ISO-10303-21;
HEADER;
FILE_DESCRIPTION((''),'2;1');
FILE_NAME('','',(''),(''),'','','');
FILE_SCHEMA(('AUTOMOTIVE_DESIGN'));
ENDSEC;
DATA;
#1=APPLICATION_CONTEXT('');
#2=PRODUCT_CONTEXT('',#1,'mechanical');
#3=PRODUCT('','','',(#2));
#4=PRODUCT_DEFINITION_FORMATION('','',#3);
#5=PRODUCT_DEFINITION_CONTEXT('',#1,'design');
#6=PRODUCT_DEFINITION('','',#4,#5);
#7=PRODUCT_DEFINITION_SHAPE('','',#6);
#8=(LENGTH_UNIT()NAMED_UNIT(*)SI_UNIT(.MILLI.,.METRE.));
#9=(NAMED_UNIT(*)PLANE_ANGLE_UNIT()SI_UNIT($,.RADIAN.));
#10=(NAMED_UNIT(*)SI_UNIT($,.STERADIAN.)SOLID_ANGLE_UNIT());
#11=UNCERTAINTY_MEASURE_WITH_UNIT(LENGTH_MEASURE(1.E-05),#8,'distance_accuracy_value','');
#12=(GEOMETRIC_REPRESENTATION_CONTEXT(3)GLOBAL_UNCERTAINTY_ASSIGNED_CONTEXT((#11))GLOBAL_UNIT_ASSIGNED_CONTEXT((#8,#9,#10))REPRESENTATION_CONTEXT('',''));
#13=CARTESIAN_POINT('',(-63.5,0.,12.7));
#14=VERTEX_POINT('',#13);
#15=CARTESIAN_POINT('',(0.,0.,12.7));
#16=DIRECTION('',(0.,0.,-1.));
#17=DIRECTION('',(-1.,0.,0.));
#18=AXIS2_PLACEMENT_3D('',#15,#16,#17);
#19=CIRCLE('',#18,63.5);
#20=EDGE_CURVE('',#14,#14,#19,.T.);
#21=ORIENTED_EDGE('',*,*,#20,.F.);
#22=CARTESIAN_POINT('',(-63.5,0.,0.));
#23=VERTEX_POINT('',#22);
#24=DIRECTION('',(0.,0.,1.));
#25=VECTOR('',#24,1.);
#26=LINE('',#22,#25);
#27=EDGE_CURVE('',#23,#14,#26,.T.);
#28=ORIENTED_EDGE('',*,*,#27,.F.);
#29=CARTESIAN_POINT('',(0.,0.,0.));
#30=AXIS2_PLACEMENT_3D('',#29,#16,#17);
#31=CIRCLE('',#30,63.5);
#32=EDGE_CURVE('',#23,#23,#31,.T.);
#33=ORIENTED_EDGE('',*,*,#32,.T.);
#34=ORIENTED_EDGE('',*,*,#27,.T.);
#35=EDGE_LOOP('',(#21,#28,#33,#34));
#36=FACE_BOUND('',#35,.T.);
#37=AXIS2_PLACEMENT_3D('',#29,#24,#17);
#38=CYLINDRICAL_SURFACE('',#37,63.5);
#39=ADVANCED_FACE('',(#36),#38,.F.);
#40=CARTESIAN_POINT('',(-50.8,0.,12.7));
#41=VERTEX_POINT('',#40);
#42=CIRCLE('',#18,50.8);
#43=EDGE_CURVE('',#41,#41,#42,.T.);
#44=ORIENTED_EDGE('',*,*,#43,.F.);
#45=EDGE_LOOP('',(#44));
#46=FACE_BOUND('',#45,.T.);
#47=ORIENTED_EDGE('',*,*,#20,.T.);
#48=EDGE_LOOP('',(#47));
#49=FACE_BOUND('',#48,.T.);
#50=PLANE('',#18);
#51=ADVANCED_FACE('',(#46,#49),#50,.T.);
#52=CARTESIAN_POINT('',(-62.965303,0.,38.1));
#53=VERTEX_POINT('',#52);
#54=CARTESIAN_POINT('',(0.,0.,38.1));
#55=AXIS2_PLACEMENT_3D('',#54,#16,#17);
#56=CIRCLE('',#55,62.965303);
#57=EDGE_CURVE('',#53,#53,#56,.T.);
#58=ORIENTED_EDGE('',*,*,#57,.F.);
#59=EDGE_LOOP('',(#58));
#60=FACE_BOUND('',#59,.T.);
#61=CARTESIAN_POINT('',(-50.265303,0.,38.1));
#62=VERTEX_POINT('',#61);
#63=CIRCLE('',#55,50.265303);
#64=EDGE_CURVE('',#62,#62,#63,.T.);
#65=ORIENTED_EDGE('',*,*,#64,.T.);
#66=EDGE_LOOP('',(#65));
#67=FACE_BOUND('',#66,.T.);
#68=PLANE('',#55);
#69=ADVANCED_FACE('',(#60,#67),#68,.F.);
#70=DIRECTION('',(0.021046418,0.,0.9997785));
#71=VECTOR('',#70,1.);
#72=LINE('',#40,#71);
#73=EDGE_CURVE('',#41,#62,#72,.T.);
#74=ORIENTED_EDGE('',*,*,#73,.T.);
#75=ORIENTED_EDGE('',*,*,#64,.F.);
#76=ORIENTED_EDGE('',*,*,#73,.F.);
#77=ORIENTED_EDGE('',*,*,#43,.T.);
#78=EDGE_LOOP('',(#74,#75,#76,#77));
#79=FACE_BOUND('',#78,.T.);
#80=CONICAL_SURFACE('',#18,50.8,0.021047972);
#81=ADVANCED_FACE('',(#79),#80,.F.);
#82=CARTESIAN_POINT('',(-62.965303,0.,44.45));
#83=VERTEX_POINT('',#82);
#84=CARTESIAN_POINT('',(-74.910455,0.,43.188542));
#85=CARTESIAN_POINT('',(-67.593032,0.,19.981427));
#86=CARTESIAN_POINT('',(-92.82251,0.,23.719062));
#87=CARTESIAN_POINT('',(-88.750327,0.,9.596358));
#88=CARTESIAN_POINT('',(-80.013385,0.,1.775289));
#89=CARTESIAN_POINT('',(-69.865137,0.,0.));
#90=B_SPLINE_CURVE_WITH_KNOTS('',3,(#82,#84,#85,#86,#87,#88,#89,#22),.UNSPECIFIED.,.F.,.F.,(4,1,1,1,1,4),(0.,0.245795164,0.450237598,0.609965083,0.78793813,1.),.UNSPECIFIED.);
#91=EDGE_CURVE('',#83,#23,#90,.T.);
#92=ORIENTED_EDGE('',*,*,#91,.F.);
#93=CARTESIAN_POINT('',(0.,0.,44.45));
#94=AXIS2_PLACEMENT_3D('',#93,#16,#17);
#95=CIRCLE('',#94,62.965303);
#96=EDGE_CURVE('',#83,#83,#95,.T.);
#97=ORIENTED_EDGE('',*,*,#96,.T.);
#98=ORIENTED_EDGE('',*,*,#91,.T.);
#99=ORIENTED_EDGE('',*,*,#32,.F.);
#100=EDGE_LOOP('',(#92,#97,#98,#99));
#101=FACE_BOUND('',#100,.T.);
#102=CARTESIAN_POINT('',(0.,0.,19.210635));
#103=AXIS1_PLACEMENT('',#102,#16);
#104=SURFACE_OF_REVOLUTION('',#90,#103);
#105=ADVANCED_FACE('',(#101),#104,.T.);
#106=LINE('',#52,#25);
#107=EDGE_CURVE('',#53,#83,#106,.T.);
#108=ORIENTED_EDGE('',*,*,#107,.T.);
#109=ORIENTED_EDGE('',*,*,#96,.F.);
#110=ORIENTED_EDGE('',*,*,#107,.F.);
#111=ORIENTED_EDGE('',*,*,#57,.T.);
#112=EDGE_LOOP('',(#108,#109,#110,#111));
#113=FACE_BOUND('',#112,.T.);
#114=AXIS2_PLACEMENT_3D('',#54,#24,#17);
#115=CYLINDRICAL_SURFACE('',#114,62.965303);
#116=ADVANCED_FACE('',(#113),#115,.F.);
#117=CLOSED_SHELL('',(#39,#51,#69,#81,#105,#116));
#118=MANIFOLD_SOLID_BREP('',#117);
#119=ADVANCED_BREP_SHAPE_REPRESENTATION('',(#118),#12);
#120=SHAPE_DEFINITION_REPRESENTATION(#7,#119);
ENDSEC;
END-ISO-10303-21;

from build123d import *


with BuildPart() as f2:
    # F1 (on Front) → F2 (revolve)
    with BuildSketch(Plane.XZ):
        with BuildLine():
            Line((-63.5, 12.7), (-50.8, 12.7))
            Line((-50.8, 12.7), (-50.2653025438, 38.1))
            Line((-50.2653025438, 38.1), (-62.9653025438, 38.1))
            Line((-62.9653025438, 38.1), (-62.9653025438, 44.45))
            add(Edge.make_bspline(
                [(-62.9653025438, 44.45), (-74.9104547405, 43.1885422797), (-67.59303228, 19.9814267721), (-92.8225097742, 23.7190623387), (-88.7503265601, 9.5963583533), (-80.0133852219, 1.7752885016), (-69.8651371702, 0), (-63.5, 0)],
                knots=[0, 0, 0, 0, 0.2457951645, 0.4502375983, 0.6099650828, 0.78793813, 1, 1, 1, 1], degree=3))
            Line((-63.5, 0), (-63.5, 12.7))
        make_face()
    revolve(axis=Axis((0, 0, 19.2106347531), (0, 0, -1)))


solid = f2.part
